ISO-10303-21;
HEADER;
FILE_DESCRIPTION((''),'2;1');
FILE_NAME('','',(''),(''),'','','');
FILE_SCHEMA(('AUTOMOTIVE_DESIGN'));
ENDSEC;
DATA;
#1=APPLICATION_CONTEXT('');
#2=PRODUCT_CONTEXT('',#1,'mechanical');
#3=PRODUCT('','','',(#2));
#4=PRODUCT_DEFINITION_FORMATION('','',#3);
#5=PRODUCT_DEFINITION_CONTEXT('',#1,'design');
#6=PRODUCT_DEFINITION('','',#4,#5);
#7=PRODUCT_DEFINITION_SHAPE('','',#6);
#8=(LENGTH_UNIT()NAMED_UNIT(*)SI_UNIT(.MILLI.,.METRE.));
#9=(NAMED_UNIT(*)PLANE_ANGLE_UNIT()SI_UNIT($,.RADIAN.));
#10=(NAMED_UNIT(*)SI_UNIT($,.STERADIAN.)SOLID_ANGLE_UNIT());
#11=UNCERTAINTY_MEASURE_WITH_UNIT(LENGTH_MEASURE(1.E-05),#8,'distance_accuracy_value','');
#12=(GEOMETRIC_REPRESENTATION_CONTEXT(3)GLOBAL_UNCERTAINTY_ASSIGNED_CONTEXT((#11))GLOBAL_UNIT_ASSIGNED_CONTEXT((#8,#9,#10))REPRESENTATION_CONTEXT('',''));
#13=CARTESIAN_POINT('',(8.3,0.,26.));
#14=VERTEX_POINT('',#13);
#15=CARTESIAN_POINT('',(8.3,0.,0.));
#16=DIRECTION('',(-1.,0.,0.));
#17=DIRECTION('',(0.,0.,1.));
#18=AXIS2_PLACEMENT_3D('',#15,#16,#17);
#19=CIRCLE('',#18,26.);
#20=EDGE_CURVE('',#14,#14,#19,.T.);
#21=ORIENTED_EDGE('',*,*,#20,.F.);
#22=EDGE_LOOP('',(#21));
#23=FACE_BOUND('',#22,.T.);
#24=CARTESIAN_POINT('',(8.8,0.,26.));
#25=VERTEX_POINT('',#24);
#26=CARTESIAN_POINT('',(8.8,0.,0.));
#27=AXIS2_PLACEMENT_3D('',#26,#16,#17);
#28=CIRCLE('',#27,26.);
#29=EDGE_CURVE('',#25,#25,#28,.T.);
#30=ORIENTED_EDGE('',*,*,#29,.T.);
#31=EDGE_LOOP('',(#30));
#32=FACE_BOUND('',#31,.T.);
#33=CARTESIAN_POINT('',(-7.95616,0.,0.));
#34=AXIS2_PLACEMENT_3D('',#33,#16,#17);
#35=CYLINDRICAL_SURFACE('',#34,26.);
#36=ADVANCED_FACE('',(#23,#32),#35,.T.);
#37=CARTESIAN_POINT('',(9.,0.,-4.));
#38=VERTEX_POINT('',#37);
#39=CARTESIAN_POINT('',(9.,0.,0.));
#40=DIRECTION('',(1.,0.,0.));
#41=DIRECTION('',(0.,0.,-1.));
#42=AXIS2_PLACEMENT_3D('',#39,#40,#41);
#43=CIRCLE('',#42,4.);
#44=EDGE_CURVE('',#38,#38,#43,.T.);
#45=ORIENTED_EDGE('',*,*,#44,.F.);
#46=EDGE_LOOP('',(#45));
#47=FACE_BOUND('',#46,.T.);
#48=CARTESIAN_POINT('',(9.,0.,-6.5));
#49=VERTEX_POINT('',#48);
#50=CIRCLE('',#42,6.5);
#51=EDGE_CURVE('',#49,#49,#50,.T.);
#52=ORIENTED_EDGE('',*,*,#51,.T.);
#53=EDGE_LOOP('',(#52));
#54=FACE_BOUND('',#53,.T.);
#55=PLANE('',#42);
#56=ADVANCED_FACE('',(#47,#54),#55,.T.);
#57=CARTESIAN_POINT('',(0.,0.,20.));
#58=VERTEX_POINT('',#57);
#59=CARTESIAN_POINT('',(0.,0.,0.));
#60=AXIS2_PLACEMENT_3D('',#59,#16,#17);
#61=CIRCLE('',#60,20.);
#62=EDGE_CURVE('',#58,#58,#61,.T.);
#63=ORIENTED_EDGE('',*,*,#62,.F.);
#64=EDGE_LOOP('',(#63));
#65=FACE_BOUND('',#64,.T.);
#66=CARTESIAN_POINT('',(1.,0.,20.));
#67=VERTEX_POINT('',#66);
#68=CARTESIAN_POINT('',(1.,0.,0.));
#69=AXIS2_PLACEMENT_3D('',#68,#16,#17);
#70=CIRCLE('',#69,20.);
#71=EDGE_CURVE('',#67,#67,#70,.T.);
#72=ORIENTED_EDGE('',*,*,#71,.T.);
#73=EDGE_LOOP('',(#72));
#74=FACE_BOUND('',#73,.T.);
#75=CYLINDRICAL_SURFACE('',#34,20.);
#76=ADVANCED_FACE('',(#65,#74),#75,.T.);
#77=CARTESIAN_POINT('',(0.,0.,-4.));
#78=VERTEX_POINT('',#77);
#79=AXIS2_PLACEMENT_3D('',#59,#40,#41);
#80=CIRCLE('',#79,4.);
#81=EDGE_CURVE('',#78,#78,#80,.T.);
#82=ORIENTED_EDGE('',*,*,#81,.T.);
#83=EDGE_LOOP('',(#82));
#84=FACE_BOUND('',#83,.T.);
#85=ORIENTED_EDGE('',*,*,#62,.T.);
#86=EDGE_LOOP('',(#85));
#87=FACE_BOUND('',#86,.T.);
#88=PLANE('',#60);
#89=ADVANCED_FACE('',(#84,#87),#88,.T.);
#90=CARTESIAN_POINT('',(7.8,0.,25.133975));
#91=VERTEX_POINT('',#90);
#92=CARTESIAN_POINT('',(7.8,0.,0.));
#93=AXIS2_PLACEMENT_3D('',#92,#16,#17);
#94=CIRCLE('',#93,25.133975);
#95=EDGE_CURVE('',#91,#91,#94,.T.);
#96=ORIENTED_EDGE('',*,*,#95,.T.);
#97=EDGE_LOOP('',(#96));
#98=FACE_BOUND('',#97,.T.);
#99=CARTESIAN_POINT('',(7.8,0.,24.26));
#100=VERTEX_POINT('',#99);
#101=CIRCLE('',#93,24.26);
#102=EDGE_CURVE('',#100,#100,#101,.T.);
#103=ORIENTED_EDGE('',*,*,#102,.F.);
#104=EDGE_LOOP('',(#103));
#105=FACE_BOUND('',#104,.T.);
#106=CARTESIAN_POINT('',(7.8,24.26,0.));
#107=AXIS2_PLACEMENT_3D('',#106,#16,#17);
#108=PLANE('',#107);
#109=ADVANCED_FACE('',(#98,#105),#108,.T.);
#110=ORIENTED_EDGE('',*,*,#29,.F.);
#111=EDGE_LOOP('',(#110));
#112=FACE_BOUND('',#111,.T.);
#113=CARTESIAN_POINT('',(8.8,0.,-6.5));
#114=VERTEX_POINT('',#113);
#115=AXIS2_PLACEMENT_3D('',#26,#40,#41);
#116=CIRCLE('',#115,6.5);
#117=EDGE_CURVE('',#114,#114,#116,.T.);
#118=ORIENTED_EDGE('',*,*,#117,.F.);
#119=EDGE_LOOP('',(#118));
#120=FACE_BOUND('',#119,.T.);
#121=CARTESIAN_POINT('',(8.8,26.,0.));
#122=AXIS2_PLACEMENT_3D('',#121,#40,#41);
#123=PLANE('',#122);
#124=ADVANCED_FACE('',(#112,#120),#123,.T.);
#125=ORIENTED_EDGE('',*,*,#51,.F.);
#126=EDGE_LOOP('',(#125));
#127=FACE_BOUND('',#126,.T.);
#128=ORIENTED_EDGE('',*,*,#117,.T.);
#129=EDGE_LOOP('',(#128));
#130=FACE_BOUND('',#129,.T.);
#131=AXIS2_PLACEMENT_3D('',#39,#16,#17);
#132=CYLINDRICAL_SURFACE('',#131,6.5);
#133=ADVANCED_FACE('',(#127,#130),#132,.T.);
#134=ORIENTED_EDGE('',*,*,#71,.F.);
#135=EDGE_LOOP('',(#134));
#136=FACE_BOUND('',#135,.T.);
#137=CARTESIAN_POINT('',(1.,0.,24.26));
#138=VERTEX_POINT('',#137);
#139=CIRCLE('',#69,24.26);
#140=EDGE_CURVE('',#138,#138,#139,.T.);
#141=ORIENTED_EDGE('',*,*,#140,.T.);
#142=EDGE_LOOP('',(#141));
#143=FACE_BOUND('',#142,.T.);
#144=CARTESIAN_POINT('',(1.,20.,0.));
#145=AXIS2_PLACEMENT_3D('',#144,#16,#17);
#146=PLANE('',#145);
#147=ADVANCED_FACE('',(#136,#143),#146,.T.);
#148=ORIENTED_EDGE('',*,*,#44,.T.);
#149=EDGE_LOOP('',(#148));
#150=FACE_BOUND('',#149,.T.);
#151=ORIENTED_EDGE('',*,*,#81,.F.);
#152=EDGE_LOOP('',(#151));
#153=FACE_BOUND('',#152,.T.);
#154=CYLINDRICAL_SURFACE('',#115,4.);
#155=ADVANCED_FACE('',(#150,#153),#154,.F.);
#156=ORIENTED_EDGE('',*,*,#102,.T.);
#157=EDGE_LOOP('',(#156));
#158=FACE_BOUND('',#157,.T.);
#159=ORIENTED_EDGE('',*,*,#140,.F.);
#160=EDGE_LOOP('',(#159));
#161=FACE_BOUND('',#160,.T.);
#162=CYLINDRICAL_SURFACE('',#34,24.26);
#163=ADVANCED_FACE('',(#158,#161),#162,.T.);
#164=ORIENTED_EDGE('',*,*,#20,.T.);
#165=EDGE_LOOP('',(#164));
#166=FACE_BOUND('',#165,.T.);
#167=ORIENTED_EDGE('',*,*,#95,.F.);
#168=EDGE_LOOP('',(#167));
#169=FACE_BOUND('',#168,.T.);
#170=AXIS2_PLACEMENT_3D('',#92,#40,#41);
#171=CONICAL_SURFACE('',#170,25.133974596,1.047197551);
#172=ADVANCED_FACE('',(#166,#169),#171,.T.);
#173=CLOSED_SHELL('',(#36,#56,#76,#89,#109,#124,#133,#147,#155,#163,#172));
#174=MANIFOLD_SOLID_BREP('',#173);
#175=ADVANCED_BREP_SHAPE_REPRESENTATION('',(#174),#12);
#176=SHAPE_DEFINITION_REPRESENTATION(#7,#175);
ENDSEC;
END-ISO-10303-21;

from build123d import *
from build123d.topology import SkipClean

# Parameters (mm, degrees)
PER_AGE1_D         = 8
ESQUISSE13_R       = 6.5
ESQUISSE13_R_2     = 4
BOSS_EXTRU_1_DEPTH = 0.2


with BuildPart() as part:
    # Esquisse1 → Base-Révolution (revolve)
    with BuildSketch(Plane.XY, mode=Mode.PRIVATE) as base_r_volution_sk:
        Polygon((0, 0), (8.8, 0), (8.8, 26), (8.3, 26), (7.8, 25.133974596), (7.8, 24.26), (1, 24.26), (1, 20), (0, 20), align=None)
    revolve(base_r_volution_sk.sketch.rotate(Axis((-7.956160198, 0, 0), (1, 0, 0)), 90), axis=Axis((-7.956160198, 0, 0), (1, 0, 0)))

    # Perçage1 (through all)
    with Locations(Plane(origin=(8.8, 0, 0), x_dir=(0, 0, -1), z_dir=(1, 0, 0))):
        with Locations((0, 0)):
            Hole(PER_AGE1_D / 2)

    # Esquisse13 → Boss.-Extru.1 (add)
    with SkipClean():  # the faces are left unmerged after this step: merging them gives an invalid solid
        with BuildSketch(Plane(origin=(8.8, 0, 0), x_dir=(0, 0, -1), z_dir=(1, 0, 0))):
            Circle(ESQUISSE13_R)
            Circle(ESQUISSE13_R_2, mode=Mode.SUBTRACT)
        extrude(amount=BOSS_EXTRU_1_DEPTH)


solid = part.part
